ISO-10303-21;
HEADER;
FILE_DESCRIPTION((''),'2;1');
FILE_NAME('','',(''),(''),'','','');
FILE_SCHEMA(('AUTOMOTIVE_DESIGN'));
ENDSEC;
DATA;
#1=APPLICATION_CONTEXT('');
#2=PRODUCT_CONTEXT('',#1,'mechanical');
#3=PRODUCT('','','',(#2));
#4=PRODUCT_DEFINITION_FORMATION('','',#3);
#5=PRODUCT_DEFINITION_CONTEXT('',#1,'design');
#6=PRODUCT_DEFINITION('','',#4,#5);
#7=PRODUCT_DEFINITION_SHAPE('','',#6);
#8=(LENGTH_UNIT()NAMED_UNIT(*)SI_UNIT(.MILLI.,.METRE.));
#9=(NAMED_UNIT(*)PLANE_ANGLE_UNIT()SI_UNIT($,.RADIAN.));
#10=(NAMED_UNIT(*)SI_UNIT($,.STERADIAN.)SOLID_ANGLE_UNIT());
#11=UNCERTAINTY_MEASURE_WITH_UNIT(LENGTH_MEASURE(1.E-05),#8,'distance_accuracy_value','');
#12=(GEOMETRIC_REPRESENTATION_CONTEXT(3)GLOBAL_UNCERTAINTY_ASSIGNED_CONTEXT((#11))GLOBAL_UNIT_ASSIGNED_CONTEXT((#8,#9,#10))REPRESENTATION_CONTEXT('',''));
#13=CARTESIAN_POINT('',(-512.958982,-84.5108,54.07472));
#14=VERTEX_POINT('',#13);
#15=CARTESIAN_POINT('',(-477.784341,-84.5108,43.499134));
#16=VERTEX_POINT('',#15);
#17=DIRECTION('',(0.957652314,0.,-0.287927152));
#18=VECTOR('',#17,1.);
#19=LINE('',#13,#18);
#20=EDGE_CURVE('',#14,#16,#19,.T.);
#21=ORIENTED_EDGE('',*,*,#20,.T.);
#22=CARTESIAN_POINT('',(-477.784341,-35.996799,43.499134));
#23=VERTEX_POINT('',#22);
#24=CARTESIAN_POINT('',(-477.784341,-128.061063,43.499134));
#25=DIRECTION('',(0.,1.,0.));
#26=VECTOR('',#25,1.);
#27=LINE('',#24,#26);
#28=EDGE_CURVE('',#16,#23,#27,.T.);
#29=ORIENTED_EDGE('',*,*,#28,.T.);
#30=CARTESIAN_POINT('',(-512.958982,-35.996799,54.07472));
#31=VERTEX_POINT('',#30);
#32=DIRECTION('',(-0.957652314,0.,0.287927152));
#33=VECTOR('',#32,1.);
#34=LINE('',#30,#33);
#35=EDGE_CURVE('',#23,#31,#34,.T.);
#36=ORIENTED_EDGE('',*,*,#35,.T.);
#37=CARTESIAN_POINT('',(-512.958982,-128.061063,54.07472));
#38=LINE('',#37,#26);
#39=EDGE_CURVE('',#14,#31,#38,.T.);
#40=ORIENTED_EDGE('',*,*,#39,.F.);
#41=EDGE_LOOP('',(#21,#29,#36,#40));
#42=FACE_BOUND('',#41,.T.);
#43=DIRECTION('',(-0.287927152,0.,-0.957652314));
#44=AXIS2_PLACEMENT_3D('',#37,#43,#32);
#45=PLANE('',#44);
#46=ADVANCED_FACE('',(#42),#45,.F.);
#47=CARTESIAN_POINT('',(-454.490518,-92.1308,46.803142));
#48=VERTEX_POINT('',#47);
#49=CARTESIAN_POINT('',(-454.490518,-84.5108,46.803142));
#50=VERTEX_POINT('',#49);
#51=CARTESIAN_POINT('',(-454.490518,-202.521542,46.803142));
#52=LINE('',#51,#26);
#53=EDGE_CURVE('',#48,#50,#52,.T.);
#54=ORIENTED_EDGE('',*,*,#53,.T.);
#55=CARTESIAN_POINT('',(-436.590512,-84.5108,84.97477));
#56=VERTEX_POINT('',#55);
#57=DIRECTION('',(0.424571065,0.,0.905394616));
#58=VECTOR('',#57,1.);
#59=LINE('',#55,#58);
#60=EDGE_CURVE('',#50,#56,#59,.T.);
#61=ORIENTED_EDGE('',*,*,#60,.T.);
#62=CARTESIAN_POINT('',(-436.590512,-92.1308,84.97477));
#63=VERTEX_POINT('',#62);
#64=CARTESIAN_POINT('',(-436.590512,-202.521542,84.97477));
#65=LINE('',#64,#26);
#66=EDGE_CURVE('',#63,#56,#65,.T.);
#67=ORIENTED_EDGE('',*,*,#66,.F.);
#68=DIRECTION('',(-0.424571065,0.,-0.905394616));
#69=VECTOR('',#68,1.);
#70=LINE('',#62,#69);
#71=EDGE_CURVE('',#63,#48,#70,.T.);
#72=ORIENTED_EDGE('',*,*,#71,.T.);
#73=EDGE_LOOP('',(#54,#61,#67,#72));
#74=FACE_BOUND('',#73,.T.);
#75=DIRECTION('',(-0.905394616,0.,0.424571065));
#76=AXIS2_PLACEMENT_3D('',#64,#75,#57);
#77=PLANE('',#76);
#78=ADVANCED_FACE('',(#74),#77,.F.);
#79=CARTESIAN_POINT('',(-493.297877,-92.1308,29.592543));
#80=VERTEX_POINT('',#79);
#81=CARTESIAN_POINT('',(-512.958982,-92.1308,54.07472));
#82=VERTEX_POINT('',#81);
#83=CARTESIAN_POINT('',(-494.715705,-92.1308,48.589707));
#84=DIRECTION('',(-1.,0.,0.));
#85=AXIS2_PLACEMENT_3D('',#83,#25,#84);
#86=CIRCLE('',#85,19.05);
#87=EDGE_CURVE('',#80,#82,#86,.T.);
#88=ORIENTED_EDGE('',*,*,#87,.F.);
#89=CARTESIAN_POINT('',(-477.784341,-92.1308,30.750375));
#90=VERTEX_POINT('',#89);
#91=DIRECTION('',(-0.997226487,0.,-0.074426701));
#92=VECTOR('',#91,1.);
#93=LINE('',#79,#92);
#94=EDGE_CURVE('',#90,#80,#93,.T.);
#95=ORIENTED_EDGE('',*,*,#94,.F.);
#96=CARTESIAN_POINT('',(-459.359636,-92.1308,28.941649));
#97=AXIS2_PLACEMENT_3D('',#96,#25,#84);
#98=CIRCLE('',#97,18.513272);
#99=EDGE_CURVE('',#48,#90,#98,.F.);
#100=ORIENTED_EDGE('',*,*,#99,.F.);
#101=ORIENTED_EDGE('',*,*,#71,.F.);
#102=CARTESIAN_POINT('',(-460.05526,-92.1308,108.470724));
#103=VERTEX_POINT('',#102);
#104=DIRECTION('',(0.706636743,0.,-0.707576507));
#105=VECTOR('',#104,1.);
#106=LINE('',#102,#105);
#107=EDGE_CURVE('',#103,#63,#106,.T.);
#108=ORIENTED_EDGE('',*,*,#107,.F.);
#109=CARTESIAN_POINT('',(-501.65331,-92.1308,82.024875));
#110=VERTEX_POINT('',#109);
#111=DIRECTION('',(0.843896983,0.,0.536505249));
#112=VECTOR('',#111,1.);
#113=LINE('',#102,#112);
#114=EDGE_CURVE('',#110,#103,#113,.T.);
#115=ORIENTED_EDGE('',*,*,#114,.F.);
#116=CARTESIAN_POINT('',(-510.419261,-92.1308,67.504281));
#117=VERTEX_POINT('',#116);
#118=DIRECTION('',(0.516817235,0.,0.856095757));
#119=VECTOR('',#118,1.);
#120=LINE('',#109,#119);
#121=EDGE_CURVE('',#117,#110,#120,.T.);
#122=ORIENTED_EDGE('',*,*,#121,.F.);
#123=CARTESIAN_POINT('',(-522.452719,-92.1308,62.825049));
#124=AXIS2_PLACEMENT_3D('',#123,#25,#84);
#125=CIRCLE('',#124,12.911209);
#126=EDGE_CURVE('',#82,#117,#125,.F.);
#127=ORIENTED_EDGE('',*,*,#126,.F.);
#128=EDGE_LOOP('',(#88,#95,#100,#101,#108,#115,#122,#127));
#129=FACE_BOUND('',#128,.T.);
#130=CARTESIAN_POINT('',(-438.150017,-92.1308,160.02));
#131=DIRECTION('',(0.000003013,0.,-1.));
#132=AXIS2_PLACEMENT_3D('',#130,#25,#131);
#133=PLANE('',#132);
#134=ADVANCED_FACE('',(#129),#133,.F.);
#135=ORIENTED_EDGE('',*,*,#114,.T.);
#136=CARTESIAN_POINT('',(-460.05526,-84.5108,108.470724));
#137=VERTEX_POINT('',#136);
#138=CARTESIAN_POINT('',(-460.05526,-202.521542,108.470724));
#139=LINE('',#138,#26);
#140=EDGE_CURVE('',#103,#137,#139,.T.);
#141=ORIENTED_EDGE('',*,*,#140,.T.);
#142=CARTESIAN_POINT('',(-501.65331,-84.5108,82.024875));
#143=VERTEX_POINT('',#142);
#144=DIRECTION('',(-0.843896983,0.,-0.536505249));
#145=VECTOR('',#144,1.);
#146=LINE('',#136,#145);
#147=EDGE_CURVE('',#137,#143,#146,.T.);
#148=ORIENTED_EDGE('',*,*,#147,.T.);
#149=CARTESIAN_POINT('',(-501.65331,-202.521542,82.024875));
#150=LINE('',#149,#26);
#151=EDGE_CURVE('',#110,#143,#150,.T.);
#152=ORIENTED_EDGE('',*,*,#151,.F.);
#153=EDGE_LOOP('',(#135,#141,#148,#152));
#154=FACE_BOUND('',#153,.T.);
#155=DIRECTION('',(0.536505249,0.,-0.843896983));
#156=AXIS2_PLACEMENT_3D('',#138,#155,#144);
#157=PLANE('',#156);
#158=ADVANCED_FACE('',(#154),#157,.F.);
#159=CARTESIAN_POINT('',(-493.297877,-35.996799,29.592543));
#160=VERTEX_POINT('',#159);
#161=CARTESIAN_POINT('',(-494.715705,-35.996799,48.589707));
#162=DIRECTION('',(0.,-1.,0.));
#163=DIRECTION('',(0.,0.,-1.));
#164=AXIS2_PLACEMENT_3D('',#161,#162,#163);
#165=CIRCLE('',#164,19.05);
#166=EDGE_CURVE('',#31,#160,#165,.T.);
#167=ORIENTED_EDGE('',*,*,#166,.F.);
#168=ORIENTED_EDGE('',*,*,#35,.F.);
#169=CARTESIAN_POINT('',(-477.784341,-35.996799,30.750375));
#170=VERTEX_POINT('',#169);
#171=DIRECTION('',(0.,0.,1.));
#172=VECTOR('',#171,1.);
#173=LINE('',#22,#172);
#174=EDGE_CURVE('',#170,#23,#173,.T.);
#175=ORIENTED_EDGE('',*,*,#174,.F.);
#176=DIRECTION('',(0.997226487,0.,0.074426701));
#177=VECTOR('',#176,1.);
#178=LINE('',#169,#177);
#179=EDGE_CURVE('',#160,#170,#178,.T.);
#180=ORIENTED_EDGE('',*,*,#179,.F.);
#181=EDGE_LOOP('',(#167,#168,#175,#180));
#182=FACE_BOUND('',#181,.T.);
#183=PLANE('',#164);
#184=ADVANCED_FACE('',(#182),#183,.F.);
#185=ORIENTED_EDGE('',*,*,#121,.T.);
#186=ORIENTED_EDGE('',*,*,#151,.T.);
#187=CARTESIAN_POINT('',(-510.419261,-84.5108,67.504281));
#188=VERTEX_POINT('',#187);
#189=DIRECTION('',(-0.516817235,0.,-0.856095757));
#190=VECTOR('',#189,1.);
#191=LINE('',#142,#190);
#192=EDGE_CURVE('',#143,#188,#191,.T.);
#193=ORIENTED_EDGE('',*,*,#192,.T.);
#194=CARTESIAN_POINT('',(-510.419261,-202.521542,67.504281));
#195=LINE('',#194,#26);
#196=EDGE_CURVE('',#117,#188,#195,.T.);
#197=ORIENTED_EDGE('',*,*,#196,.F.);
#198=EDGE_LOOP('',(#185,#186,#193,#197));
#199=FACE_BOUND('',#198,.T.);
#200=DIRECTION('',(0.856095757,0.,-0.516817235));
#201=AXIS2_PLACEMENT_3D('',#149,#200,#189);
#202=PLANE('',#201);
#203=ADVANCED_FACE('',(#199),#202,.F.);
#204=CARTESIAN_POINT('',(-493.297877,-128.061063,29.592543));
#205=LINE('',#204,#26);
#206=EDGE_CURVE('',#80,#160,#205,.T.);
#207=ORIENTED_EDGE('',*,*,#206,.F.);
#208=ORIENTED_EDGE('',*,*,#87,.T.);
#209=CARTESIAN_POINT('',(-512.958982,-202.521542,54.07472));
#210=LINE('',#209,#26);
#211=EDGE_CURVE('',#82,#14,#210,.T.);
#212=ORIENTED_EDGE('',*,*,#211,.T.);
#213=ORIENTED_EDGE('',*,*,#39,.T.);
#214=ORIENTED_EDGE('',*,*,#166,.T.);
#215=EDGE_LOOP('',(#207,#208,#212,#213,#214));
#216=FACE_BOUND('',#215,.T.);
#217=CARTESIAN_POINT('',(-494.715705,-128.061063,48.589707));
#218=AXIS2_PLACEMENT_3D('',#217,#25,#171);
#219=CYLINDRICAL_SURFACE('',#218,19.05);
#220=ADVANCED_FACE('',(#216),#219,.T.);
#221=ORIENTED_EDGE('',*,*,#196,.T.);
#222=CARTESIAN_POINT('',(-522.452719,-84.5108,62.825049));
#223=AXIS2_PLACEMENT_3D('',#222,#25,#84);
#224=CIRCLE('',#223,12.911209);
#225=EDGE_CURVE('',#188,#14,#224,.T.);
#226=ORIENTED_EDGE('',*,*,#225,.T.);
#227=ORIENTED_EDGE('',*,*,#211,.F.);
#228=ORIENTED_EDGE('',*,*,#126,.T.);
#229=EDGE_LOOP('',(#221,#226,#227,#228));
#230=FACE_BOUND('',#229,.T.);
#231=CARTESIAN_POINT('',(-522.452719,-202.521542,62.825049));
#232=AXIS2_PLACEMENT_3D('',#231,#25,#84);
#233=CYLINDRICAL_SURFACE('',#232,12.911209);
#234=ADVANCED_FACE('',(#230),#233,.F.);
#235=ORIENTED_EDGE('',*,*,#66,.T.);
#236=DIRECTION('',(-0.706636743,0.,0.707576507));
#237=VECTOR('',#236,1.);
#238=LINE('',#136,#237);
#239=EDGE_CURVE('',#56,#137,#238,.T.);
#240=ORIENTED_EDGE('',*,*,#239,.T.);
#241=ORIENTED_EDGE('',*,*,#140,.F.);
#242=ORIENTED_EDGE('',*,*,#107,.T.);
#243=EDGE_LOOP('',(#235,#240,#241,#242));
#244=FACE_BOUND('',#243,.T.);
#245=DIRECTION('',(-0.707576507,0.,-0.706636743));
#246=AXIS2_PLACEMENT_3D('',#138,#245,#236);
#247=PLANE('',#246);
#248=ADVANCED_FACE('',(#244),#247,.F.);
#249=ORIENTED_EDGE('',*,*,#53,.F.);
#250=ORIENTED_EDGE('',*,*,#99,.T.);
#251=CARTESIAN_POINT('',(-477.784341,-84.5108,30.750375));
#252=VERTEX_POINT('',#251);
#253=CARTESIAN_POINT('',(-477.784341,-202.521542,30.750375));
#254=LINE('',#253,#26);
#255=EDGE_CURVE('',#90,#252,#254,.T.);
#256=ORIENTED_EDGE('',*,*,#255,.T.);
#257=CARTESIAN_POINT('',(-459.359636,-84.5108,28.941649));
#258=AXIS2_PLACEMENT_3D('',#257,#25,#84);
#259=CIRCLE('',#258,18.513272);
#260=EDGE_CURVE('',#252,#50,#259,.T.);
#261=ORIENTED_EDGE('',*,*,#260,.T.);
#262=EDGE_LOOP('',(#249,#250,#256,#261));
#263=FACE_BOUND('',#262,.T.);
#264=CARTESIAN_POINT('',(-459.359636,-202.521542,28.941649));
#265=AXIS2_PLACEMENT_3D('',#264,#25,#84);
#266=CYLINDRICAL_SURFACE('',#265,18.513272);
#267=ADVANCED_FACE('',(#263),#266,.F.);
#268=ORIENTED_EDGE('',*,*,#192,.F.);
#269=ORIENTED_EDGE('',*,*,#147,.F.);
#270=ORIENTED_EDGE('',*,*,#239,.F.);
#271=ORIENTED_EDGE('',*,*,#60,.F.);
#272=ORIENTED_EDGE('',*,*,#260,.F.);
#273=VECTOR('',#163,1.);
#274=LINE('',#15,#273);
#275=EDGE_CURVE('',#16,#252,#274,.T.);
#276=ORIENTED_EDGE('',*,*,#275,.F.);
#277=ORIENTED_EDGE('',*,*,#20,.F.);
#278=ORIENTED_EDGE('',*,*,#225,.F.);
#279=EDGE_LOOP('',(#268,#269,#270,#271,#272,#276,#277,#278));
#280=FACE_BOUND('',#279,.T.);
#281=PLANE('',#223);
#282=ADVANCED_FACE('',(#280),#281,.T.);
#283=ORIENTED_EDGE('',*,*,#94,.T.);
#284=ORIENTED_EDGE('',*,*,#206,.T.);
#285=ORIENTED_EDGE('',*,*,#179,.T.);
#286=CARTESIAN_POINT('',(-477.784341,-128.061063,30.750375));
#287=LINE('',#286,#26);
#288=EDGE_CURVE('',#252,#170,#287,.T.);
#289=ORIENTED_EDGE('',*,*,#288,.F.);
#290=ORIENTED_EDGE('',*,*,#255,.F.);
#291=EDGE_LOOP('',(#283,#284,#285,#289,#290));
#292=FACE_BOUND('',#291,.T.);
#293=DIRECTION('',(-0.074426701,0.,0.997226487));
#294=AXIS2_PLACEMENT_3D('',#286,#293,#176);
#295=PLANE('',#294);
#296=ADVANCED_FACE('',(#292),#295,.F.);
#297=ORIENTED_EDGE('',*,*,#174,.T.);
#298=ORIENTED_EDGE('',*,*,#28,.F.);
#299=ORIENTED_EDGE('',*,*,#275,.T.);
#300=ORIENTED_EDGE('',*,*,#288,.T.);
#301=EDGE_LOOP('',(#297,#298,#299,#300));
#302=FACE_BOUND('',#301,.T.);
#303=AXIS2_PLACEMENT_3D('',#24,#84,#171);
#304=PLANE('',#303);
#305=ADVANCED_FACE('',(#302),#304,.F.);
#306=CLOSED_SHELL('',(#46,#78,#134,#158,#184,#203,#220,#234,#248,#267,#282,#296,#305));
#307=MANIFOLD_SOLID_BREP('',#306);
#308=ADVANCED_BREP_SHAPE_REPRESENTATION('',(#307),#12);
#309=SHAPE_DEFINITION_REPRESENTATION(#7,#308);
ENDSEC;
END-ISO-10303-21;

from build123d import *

# Parameters (mm, degrees)
BOSS_EXTRUDE1_DEPTH = 48.51400078
BOSS_EXTRUDE2_DEPTH = 7.62


with BuildPart() as part:
    # Sketch2 → Boss-Extrude1 (new body)
    with BuildSketch(Plane.XZ.offset(35.996799282)):
        with BuildLine():
            Line((-512.958981795, 54.074719549), (-477.784341144, 43.499133869))
            Line((-477.784341144, 43.499133869), (-477.784341144, 30.750375257))
            Line((-477.784341144, 30.750375257), (-493.297876549, 29.59254273))
            ThreePointArc((-493.297876549, 29.59254273), (-509.568926068, 36.66140776), (-512.958981795, 54.074719549))
        make_face()
    extrude(amount=BOSS_EXTRUDE1_DEPTH)

    # Sketch3 → Boss-Extrude2 (add)
    with BuildSketch(Plane.XZ.offset(84.510800062)):
        with BuildLine():
            Line((-460.055260418, 108.470724329), (-436.590512312, 84.974770196))
            Line((-436.590512312, 84.974770196), (-454.490518063, 46.803141976))
            ThreePointArc((-454.490518063, 46.803141976), (-469.864935435, 44.185661822), (-477.784341144, 30.750375257))
            Line((-477.784341144, 30.750375257), (-493.297876549, 29.59254273))
            ThreePointArc((-493.297876549, 29.59254273), (-509.568926068, 36.66140776), (-512.958981795, 54.074719549))
            ThreePointArc((-512.958981795, 54.074719549), (-509.76637554, 60.425881739), (-510.419261273, 67.504280999))
            Line((-510.419261273, 67.504280999), (-501.653310229, 82.024875489))
            Line((-501.653310229, 82.024875489), (-460.055260418, 108.470724329))
        make_face()
    extrude(amount=BOSS_EXTRUDE2_DEPTH)


solid = part.part
